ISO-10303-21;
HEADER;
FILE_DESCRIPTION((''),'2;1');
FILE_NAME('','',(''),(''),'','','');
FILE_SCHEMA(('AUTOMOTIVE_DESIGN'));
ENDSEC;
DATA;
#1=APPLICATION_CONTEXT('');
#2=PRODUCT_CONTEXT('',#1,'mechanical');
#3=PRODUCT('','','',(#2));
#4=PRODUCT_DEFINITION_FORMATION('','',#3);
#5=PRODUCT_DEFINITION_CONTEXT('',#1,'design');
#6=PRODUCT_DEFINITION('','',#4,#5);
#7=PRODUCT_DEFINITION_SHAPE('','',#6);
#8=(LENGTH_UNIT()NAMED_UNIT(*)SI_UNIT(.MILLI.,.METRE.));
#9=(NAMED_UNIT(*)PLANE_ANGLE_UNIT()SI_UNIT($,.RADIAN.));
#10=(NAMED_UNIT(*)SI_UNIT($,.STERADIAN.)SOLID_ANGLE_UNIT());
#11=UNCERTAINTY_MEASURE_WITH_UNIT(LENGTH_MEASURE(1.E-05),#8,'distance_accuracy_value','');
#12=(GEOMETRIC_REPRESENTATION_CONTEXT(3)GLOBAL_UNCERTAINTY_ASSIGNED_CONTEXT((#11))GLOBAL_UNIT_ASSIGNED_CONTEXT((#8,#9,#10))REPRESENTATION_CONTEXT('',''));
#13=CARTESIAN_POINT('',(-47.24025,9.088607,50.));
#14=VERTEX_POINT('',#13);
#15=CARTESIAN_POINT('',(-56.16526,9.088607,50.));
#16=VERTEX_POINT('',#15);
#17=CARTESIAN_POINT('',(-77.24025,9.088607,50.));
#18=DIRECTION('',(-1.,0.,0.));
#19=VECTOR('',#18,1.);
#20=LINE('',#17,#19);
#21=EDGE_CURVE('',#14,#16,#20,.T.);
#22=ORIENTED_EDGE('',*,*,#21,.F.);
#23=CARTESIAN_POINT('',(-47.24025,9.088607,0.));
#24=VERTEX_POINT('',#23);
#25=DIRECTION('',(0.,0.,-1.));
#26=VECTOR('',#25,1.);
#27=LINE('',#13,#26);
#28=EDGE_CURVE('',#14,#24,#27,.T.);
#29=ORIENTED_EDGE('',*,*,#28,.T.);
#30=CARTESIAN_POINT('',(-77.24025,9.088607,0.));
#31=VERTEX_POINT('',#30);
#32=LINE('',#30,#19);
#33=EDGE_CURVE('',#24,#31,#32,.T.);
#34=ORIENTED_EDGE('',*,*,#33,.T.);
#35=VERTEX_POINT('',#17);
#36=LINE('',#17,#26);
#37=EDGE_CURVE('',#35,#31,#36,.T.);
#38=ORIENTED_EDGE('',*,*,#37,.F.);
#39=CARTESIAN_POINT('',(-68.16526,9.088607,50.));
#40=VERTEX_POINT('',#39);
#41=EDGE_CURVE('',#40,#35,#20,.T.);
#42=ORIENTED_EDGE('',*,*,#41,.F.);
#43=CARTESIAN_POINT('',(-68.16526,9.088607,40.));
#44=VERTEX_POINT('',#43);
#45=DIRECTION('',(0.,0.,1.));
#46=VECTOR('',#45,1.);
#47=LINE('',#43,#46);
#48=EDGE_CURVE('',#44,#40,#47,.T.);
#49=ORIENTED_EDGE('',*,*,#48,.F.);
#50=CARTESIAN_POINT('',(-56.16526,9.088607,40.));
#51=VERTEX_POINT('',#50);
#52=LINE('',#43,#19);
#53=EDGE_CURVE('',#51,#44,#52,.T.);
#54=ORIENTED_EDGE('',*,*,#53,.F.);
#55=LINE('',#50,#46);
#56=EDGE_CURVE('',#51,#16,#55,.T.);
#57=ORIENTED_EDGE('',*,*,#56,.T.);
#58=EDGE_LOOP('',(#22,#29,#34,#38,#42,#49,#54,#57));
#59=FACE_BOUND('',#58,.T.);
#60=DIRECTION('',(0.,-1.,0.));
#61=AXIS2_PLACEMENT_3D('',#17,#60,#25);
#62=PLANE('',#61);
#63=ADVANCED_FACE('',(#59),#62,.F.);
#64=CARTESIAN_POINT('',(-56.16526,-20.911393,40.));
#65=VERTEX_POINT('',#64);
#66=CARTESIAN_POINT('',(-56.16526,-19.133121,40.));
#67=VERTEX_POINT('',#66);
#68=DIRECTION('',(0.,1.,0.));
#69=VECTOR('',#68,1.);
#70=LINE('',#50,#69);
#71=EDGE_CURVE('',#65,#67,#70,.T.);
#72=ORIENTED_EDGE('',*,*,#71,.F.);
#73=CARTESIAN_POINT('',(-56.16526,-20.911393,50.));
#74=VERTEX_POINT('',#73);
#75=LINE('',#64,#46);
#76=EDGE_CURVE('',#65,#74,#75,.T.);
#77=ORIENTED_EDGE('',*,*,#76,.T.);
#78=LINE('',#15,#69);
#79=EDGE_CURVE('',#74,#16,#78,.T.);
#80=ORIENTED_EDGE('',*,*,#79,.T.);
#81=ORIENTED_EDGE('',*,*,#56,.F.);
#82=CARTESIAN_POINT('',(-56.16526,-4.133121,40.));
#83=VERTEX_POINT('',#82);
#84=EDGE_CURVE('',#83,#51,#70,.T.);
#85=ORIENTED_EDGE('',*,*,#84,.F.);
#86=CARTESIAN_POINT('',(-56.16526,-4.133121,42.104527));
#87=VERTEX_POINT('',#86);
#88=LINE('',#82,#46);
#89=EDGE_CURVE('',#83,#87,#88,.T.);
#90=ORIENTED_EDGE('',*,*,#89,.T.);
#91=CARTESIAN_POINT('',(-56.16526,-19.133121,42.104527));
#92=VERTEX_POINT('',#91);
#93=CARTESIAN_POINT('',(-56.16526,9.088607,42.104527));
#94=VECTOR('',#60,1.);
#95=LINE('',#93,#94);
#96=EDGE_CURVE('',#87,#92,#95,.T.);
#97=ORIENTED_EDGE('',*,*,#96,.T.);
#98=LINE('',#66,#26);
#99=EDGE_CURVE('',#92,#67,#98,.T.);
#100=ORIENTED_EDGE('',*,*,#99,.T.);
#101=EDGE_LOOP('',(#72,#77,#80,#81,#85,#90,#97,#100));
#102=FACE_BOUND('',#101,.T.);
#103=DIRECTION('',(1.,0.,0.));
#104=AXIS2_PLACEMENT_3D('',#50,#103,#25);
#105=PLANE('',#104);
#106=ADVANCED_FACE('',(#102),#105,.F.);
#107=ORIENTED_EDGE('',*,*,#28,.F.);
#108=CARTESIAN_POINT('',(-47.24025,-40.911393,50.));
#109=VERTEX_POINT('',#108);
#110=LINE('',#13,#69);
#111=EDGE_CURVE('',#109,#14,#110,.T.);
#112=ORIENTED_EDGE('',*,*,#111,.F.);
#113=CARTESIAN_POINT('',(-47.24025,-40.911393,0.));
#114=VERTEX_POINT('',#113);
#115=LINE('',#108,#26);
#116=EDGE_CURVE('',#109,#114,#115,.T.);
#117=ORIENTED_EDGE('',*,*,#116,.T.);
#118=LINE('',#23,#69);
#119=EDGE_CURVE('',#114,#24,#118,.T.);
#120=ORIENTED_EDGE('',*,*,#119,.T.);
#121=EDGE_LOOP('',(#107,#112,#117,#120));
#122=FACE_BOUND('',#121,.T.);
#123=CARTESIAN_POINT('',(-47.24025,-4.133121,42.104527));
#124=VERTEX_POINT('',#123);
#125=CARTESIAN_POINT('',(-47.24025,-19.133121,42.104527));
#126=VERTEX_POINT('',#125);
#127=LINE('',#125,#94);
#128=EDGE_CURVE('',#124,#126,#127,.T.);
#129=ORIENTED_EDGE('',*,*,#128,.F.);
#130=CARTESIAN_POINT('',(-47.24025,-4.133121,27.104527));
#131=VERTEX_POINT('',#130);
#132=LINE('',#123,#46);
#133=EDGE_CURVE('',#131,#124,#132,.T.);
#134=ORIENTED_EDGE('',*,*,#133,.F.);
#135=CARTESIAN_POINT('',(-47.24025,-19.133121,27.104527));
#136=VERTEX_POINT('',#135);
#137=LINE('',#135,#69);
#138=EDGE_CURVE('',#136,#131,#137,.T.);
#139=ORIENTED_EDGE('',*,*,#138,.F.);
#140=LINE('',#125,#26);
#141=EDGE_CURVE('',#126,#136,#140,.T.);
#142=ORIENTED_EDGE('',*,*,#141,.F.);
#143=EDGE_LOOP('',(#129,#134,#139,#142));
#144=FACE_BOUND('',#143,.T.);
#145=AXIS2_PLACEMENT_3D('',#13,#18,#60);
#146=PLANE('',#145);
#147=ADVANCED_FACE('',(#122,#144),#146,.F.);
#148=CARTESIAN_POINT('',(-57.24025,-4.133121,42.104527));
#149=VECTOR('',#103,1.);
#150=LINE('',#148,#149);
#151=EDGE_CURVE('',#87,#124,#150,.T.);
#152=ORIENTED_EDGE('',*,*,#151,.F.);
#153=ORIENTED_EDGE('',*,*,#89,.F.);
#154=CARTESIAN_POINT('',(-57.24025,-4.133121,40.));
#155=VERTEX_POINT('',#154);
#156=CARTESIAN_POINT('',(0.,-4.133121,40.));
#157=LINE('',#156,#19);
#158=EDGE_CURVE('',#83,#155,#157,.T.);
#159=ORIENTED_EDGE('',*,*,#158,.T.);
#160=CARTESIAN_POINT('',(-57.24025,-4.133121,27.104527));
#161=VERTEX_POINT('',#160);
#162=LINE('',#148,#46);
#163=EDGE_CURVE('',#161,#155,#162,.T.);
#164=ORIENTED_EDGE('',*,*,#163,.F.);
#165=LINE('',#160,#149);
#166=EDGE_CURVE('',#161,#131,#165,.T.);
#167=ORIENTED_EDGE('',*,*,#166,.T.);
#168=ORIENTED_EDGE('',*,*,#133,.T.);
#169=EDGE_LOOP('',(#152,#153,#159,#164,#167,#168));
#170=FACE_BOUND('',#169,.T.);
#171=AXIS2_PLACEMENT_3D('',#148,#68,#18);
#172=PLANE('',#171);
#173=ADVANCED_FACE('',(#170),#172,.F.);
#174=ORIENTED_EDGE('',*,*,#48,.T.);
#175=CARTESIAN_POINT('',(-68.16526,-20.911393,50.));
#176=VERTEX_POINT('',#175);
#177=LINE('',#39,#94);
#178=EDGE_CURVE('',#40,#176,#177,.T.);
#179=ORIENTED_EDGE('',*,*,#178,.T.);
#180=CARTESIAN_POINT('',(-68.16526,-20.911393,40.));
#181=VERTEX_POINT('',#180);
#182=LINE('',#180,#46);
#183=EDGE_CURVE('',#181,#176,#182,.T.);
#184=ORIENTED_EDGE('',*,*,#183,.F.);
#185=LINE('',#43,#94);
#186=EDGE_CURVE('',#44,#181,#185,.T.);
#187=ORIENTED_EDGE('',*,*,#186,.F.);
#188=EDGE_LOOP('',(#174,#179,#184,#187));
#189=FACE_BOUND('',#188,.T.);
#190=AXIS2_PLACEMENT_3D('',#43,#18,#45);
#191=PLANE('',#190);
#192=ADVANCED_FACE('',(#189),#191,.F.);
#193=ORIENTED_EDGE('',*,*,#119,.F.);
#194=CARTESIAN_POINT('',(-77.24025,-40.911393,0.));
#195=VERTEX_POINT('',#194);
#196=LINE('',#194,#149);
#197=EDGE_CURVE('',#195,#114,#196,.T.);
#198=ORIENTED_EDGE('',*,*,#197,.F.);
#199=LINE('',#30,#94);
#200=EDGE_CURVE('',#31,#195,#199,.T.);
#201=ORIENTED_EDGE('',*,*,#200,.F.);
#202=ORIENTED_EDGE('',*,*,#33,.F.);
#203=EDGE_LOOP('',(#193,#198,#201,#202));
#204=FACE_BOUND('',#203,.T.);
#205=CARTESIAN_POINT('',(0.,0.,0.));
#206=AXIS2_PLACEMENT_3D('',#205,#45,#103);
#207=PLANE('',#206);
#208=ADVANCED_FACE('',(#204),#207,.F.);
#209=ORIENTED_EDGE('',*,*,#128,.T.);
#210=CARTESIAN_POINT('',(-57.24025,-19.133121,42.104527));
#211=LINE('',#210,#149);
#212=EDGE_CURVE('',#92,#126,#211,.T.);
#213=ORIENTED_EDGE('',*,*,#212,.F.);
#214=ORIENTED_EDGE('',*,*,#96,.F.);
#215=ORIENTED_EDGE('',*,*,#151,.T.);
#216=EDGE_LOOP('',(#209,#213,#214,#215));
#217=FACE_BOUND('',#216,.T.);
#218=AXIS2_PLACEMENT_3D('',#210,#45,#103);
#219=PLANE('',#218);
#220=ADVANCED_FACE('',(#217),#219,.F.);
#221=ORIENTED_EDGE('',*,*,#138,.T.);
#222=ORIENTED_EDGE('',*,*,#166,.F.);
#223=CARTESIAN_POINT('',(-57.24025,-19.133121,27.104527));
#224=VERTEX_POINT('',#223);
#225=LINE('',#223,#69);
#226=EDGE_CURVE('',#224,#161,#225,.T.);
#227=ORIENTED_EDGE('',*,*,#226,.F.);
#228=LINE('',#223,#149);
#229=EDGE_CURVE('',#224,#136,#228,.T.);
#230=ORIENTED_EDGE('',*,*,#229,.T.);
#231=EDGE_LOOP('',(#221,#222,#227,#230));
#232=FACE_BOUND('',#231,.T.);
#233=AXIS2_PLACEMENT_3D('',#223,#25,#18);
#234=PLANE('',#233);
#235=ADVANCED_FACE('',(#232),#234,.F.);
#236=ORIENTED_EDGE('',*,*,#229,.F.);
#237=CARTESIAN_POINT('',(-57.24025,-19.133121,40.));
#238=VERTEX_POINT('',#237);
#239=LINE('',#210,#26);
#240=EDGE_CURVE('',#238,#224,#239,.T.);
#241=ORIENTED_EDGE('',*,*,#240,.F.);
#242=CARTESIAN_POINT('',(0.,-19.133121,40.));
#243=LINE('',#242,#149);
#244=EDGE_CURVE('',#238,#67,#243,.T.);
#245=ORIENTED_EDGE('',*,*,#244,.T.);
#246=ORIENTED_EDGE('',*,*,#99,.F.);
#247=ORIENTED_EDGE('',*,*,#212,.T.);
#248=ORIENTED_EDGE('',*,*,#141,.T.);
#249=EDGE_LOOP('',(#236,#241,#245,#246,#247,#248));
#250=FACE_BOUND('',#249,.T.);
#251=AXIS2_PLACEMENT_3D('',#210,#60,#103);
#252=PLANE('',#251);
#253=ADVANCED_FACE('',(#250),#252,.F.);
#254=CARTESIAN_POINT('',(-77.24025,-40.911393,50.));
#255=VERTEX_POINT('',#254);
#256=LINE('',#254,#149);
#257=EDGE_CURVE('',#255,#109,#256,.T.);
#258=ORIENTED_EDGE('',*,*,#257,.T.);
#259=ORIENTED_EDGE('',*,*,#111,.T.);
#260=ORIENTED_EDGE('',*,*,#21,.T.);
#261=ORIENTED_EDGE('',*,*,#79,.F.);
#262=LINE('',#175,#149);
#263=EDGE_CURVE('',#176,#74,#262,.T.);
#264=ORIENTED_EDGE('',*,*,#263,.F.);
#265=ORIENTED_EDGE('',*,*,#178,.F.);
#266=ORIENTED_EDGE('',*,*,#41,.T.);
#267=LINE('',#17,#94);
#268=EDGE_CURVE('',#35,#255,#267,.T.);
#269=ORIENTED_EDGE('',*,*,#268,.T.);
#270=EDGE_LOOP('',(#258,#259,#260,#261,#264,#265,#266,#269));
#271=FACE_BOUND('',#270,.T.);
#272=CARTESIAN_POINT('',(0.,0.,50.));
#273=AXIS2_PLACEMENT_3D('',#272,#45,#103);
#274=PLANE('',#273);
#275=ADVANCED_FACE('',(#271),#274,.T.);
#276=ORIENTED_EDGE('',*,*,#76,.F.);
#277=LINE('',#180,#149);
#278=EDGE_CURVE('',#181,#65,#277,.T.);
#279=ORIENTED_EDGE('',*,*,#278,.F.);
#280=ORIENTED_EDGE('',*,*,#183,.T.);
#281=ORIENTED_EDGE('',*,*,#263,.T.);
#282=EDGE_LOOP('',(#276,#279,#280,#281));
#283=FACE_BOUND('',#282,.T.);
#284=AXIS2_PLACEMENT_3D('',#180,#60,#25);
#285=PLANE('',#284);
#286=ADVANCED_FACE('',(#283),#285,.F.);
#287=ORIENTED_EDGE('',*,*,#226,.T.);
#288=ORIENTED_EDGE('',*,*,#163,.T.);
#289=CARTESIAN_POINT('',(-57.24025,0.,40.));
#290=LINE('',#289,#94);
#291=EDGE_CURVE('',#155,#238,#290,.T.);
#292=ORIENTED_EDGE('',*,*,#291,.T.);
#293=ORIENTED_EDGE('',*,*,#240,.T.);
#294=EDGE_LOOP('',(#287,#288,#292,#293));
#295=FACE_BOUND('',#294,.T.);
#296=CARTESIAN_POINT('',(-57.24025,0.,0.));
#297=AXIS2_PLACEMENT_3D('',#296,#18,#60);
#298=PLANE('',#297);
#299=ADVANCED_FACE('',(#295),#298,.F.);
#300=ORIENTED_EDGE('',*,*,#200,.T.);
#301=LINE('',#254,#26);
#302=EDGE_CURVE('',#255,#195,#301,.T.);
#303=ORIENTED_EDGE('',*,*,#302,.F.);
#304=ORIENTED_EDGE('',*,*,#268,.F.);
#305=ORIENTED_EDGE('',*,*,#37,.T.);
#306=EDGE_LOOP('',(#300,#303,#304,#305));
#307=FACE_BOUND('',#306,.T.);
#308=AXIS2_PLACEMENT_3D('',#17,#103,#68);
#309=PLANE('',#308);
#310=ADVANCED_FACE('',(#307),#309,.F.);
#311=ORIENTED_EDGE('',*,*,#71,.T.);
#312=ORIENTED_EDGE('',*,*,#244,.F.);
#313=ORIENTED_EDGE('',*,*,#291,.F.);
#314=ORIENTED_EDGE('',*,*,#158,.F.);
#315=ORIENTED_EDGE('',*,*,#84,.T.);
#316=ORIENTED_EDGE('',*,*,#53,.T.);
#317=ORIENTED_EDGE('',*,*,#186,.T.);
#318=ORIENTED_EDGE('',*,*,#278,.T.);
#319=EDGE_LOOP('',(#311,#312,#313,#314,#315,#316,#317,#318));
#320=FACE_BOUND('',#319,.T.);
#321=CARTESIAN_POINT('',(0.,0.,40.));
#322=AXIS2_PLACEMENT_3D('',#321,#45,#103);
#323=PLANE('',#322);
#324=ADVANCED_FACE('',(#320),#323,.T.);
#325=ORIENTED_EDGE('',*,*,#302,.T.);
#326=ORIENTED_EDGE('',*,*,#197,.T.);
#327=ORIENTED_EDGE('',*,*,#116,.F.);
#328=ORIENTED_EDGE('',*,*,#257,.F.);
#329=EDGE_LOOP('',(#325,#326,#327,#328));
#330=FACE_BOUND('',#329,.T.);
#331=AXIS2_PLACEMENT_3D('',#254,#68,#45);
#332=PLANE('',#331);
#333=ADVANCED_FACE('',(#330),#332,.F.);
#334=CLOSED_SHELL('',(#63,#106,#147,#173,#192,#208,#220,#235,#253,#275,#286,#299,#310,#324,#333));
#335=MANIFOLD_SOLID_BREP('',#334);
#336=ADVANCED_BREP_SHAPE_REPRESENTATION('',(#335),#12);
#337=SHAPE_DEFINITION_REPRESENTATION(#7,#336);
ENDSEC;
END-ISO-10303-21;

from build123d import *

# Parameters (mm, degrees)
ESQUISSE1_W             = 30
ESQUISSE1_H             = 50
BOSS_EXTRU_1_DEPTH      = 50
ESQUISSE2_W             = 12
ESQUISSE2_H             = 30
ENL_V_MAT_EXTRU_1_DEPTH = 10
ESQUISSE4_W             = 15
ESQUISSE4_H             = 15
ENL_V_MAT_EXTRU_2_DEPTH = 10


with BuildPart() as part:
    # Esquisse1 → Boss.-Extru.1 (new body)
    with BuildSketch(Plane.XY):
        with Locations((-62.240250499, -15.911393152)):
            Rectangle(ESQUISSE1_W, ESQUISSE1_H)
    extrude(amount=BOSS_EXTRU_1_DEPTH)

    # Esquisse2 → Enlèv. mat.-Extru.1 (cut)
    with BuildSketch(Plane.XY.offset(50)):
        with Locations((-62.165259594, -5.911393152)):
            Rectangle(ESQUISSE2_W, ESQUISSE2_H)
    extrude(amount=-ENL_V_MAT_EXTRU_1_DEPTH, mode=Mode.SUBTRACT)

    # Esquisse4 → Enlèv. mat.-Extru.2 (cut)
    with BuildSketch(Plane(origin=(-47.240250499, 0, 0), x_dir=(0, 0, -1), z_dir=(1, 0, 0))):
        with Locations((-34.604526696, -11.633120899)):
            Rectangle(ESQUISSE4_W, ESQUISSE4_H)
    extrude(amount=-ENL_V_MAT_EXTRU_2_DEPTH, mode=Mode.SUBTRACT)


solid = part.part
